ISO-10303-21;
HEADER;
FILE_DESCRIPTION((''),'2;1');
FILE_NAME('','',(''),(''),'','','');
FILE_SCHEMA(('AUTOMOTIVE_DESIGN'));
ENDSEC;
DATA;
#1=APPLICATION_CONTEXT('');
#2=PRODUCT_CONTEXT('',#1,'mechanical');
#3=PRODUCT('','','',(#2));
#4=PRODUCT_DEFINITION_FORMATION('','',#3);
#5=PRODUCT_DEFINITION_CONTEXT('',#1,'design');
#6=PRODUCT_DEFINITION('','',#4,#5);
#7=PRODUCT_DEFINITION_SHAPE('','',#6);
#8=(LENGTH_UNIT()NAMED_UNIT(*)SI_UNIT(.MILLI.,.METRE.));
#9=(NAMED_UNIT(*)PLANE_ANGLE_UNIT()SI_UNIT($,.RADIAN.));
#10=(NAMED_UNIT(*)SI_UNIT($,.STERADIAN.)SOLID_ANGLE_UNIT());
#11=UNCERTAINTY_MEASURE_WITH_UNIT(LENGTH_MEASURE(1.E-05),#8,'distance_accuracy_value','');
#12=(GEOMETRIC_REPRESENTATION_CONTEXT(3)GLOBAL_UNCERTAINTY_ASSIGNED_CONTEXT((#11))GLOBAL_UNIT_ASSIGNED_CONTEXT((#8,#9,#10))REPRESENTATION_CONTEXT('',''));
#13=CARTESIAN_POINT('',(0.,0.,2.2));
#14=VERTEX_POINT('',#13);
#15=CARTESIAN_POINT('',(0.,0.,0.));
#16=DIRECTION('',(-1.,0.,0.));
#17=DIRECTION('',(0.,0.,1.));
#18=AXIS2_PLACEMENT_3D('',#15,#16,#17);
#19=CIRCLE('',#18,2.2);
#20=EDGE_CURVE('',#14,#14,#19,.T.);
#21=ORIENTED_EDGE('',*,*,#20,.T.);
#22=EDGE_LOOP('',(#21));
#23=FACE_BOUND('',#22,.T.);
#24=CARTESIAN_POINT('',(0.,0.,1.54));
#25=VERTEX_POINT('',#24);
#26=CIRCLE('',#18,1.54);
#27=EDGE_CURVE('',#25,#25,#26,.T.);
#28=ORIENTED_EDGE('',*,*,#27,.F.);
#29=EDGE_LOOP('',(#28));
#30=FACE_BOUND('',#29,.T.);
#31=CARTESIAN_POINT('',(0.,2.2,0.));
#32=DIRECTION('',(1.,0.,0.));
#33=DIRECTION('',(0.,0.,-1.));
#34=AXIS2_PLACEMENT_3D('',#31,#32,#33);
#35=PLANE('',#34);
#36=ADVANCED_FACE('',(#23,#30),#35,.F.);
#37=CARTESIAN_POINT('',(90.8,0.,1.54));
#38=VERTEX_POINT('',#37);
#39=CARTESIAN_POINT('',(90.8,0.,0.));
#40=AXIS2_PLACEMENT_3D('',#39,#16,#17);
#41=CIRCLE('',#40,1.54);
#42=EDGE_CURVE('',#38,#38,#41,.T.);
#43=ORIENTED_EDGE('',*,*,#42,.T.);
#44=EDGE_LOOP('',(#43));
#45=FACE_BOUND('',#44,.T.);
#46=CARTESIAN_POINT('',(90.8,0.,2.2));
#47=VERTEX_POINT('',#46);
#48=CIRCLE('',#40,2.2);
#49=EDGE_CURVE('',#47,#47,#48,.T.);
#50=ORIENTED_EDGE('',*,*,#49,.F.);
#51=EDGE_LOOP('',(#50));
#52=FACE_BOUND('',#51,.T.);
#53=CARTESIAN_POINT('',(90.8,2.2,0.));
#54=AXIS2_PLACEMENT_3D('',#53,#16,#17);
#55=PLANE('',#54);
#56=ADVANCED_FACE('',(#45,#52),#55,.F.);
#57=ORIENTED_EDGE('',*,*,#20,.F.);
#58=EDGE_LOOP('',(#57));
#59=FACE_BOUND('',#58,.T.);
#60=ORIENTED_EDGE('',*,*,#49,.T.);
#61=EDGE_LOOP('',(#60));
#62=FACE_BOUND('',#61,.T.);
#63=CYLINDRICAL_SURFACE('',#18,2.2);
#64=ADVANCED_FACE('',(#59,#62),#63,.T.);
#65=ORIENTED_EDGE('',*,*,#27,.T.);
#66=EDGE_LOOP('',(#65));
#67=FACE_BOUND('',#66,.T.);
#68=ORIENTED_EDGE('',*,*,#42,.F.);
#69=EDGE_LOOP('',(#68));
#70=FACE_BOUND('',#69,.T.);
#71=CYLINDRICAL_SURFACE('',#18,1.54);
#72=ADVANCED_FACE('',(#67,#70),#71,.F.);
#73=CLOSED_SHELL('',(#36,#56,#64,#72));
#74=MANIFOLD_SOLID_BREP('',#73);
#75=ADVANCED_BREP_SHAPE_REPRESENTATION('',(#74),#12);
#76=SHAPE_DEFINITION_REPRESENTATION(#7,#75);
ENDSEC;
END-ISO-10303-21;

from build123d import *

# Parameters (mm, degrees)
ESBO_O1_W = 90.8
ESBO_O1_H = 0.66


with BuildPart() as part:
    # Esboço1 → Revolução1 (revolve)
    with BuildSketch(Plane.XY, mode=Mode.PRIVATE) as revolu_o1_sk:
        with Locations((45.4, 1.87)):
            Rectangle(ESBO_O1_W, ESBO_O1_H)
    revolve(revolu_o1_sk.sketch.rotate(Axis((0, 0, 0), (1, 0, 0)), 90), axis=Axis((0, 0, 0), (1, 0, 0)))


solid = part.part
